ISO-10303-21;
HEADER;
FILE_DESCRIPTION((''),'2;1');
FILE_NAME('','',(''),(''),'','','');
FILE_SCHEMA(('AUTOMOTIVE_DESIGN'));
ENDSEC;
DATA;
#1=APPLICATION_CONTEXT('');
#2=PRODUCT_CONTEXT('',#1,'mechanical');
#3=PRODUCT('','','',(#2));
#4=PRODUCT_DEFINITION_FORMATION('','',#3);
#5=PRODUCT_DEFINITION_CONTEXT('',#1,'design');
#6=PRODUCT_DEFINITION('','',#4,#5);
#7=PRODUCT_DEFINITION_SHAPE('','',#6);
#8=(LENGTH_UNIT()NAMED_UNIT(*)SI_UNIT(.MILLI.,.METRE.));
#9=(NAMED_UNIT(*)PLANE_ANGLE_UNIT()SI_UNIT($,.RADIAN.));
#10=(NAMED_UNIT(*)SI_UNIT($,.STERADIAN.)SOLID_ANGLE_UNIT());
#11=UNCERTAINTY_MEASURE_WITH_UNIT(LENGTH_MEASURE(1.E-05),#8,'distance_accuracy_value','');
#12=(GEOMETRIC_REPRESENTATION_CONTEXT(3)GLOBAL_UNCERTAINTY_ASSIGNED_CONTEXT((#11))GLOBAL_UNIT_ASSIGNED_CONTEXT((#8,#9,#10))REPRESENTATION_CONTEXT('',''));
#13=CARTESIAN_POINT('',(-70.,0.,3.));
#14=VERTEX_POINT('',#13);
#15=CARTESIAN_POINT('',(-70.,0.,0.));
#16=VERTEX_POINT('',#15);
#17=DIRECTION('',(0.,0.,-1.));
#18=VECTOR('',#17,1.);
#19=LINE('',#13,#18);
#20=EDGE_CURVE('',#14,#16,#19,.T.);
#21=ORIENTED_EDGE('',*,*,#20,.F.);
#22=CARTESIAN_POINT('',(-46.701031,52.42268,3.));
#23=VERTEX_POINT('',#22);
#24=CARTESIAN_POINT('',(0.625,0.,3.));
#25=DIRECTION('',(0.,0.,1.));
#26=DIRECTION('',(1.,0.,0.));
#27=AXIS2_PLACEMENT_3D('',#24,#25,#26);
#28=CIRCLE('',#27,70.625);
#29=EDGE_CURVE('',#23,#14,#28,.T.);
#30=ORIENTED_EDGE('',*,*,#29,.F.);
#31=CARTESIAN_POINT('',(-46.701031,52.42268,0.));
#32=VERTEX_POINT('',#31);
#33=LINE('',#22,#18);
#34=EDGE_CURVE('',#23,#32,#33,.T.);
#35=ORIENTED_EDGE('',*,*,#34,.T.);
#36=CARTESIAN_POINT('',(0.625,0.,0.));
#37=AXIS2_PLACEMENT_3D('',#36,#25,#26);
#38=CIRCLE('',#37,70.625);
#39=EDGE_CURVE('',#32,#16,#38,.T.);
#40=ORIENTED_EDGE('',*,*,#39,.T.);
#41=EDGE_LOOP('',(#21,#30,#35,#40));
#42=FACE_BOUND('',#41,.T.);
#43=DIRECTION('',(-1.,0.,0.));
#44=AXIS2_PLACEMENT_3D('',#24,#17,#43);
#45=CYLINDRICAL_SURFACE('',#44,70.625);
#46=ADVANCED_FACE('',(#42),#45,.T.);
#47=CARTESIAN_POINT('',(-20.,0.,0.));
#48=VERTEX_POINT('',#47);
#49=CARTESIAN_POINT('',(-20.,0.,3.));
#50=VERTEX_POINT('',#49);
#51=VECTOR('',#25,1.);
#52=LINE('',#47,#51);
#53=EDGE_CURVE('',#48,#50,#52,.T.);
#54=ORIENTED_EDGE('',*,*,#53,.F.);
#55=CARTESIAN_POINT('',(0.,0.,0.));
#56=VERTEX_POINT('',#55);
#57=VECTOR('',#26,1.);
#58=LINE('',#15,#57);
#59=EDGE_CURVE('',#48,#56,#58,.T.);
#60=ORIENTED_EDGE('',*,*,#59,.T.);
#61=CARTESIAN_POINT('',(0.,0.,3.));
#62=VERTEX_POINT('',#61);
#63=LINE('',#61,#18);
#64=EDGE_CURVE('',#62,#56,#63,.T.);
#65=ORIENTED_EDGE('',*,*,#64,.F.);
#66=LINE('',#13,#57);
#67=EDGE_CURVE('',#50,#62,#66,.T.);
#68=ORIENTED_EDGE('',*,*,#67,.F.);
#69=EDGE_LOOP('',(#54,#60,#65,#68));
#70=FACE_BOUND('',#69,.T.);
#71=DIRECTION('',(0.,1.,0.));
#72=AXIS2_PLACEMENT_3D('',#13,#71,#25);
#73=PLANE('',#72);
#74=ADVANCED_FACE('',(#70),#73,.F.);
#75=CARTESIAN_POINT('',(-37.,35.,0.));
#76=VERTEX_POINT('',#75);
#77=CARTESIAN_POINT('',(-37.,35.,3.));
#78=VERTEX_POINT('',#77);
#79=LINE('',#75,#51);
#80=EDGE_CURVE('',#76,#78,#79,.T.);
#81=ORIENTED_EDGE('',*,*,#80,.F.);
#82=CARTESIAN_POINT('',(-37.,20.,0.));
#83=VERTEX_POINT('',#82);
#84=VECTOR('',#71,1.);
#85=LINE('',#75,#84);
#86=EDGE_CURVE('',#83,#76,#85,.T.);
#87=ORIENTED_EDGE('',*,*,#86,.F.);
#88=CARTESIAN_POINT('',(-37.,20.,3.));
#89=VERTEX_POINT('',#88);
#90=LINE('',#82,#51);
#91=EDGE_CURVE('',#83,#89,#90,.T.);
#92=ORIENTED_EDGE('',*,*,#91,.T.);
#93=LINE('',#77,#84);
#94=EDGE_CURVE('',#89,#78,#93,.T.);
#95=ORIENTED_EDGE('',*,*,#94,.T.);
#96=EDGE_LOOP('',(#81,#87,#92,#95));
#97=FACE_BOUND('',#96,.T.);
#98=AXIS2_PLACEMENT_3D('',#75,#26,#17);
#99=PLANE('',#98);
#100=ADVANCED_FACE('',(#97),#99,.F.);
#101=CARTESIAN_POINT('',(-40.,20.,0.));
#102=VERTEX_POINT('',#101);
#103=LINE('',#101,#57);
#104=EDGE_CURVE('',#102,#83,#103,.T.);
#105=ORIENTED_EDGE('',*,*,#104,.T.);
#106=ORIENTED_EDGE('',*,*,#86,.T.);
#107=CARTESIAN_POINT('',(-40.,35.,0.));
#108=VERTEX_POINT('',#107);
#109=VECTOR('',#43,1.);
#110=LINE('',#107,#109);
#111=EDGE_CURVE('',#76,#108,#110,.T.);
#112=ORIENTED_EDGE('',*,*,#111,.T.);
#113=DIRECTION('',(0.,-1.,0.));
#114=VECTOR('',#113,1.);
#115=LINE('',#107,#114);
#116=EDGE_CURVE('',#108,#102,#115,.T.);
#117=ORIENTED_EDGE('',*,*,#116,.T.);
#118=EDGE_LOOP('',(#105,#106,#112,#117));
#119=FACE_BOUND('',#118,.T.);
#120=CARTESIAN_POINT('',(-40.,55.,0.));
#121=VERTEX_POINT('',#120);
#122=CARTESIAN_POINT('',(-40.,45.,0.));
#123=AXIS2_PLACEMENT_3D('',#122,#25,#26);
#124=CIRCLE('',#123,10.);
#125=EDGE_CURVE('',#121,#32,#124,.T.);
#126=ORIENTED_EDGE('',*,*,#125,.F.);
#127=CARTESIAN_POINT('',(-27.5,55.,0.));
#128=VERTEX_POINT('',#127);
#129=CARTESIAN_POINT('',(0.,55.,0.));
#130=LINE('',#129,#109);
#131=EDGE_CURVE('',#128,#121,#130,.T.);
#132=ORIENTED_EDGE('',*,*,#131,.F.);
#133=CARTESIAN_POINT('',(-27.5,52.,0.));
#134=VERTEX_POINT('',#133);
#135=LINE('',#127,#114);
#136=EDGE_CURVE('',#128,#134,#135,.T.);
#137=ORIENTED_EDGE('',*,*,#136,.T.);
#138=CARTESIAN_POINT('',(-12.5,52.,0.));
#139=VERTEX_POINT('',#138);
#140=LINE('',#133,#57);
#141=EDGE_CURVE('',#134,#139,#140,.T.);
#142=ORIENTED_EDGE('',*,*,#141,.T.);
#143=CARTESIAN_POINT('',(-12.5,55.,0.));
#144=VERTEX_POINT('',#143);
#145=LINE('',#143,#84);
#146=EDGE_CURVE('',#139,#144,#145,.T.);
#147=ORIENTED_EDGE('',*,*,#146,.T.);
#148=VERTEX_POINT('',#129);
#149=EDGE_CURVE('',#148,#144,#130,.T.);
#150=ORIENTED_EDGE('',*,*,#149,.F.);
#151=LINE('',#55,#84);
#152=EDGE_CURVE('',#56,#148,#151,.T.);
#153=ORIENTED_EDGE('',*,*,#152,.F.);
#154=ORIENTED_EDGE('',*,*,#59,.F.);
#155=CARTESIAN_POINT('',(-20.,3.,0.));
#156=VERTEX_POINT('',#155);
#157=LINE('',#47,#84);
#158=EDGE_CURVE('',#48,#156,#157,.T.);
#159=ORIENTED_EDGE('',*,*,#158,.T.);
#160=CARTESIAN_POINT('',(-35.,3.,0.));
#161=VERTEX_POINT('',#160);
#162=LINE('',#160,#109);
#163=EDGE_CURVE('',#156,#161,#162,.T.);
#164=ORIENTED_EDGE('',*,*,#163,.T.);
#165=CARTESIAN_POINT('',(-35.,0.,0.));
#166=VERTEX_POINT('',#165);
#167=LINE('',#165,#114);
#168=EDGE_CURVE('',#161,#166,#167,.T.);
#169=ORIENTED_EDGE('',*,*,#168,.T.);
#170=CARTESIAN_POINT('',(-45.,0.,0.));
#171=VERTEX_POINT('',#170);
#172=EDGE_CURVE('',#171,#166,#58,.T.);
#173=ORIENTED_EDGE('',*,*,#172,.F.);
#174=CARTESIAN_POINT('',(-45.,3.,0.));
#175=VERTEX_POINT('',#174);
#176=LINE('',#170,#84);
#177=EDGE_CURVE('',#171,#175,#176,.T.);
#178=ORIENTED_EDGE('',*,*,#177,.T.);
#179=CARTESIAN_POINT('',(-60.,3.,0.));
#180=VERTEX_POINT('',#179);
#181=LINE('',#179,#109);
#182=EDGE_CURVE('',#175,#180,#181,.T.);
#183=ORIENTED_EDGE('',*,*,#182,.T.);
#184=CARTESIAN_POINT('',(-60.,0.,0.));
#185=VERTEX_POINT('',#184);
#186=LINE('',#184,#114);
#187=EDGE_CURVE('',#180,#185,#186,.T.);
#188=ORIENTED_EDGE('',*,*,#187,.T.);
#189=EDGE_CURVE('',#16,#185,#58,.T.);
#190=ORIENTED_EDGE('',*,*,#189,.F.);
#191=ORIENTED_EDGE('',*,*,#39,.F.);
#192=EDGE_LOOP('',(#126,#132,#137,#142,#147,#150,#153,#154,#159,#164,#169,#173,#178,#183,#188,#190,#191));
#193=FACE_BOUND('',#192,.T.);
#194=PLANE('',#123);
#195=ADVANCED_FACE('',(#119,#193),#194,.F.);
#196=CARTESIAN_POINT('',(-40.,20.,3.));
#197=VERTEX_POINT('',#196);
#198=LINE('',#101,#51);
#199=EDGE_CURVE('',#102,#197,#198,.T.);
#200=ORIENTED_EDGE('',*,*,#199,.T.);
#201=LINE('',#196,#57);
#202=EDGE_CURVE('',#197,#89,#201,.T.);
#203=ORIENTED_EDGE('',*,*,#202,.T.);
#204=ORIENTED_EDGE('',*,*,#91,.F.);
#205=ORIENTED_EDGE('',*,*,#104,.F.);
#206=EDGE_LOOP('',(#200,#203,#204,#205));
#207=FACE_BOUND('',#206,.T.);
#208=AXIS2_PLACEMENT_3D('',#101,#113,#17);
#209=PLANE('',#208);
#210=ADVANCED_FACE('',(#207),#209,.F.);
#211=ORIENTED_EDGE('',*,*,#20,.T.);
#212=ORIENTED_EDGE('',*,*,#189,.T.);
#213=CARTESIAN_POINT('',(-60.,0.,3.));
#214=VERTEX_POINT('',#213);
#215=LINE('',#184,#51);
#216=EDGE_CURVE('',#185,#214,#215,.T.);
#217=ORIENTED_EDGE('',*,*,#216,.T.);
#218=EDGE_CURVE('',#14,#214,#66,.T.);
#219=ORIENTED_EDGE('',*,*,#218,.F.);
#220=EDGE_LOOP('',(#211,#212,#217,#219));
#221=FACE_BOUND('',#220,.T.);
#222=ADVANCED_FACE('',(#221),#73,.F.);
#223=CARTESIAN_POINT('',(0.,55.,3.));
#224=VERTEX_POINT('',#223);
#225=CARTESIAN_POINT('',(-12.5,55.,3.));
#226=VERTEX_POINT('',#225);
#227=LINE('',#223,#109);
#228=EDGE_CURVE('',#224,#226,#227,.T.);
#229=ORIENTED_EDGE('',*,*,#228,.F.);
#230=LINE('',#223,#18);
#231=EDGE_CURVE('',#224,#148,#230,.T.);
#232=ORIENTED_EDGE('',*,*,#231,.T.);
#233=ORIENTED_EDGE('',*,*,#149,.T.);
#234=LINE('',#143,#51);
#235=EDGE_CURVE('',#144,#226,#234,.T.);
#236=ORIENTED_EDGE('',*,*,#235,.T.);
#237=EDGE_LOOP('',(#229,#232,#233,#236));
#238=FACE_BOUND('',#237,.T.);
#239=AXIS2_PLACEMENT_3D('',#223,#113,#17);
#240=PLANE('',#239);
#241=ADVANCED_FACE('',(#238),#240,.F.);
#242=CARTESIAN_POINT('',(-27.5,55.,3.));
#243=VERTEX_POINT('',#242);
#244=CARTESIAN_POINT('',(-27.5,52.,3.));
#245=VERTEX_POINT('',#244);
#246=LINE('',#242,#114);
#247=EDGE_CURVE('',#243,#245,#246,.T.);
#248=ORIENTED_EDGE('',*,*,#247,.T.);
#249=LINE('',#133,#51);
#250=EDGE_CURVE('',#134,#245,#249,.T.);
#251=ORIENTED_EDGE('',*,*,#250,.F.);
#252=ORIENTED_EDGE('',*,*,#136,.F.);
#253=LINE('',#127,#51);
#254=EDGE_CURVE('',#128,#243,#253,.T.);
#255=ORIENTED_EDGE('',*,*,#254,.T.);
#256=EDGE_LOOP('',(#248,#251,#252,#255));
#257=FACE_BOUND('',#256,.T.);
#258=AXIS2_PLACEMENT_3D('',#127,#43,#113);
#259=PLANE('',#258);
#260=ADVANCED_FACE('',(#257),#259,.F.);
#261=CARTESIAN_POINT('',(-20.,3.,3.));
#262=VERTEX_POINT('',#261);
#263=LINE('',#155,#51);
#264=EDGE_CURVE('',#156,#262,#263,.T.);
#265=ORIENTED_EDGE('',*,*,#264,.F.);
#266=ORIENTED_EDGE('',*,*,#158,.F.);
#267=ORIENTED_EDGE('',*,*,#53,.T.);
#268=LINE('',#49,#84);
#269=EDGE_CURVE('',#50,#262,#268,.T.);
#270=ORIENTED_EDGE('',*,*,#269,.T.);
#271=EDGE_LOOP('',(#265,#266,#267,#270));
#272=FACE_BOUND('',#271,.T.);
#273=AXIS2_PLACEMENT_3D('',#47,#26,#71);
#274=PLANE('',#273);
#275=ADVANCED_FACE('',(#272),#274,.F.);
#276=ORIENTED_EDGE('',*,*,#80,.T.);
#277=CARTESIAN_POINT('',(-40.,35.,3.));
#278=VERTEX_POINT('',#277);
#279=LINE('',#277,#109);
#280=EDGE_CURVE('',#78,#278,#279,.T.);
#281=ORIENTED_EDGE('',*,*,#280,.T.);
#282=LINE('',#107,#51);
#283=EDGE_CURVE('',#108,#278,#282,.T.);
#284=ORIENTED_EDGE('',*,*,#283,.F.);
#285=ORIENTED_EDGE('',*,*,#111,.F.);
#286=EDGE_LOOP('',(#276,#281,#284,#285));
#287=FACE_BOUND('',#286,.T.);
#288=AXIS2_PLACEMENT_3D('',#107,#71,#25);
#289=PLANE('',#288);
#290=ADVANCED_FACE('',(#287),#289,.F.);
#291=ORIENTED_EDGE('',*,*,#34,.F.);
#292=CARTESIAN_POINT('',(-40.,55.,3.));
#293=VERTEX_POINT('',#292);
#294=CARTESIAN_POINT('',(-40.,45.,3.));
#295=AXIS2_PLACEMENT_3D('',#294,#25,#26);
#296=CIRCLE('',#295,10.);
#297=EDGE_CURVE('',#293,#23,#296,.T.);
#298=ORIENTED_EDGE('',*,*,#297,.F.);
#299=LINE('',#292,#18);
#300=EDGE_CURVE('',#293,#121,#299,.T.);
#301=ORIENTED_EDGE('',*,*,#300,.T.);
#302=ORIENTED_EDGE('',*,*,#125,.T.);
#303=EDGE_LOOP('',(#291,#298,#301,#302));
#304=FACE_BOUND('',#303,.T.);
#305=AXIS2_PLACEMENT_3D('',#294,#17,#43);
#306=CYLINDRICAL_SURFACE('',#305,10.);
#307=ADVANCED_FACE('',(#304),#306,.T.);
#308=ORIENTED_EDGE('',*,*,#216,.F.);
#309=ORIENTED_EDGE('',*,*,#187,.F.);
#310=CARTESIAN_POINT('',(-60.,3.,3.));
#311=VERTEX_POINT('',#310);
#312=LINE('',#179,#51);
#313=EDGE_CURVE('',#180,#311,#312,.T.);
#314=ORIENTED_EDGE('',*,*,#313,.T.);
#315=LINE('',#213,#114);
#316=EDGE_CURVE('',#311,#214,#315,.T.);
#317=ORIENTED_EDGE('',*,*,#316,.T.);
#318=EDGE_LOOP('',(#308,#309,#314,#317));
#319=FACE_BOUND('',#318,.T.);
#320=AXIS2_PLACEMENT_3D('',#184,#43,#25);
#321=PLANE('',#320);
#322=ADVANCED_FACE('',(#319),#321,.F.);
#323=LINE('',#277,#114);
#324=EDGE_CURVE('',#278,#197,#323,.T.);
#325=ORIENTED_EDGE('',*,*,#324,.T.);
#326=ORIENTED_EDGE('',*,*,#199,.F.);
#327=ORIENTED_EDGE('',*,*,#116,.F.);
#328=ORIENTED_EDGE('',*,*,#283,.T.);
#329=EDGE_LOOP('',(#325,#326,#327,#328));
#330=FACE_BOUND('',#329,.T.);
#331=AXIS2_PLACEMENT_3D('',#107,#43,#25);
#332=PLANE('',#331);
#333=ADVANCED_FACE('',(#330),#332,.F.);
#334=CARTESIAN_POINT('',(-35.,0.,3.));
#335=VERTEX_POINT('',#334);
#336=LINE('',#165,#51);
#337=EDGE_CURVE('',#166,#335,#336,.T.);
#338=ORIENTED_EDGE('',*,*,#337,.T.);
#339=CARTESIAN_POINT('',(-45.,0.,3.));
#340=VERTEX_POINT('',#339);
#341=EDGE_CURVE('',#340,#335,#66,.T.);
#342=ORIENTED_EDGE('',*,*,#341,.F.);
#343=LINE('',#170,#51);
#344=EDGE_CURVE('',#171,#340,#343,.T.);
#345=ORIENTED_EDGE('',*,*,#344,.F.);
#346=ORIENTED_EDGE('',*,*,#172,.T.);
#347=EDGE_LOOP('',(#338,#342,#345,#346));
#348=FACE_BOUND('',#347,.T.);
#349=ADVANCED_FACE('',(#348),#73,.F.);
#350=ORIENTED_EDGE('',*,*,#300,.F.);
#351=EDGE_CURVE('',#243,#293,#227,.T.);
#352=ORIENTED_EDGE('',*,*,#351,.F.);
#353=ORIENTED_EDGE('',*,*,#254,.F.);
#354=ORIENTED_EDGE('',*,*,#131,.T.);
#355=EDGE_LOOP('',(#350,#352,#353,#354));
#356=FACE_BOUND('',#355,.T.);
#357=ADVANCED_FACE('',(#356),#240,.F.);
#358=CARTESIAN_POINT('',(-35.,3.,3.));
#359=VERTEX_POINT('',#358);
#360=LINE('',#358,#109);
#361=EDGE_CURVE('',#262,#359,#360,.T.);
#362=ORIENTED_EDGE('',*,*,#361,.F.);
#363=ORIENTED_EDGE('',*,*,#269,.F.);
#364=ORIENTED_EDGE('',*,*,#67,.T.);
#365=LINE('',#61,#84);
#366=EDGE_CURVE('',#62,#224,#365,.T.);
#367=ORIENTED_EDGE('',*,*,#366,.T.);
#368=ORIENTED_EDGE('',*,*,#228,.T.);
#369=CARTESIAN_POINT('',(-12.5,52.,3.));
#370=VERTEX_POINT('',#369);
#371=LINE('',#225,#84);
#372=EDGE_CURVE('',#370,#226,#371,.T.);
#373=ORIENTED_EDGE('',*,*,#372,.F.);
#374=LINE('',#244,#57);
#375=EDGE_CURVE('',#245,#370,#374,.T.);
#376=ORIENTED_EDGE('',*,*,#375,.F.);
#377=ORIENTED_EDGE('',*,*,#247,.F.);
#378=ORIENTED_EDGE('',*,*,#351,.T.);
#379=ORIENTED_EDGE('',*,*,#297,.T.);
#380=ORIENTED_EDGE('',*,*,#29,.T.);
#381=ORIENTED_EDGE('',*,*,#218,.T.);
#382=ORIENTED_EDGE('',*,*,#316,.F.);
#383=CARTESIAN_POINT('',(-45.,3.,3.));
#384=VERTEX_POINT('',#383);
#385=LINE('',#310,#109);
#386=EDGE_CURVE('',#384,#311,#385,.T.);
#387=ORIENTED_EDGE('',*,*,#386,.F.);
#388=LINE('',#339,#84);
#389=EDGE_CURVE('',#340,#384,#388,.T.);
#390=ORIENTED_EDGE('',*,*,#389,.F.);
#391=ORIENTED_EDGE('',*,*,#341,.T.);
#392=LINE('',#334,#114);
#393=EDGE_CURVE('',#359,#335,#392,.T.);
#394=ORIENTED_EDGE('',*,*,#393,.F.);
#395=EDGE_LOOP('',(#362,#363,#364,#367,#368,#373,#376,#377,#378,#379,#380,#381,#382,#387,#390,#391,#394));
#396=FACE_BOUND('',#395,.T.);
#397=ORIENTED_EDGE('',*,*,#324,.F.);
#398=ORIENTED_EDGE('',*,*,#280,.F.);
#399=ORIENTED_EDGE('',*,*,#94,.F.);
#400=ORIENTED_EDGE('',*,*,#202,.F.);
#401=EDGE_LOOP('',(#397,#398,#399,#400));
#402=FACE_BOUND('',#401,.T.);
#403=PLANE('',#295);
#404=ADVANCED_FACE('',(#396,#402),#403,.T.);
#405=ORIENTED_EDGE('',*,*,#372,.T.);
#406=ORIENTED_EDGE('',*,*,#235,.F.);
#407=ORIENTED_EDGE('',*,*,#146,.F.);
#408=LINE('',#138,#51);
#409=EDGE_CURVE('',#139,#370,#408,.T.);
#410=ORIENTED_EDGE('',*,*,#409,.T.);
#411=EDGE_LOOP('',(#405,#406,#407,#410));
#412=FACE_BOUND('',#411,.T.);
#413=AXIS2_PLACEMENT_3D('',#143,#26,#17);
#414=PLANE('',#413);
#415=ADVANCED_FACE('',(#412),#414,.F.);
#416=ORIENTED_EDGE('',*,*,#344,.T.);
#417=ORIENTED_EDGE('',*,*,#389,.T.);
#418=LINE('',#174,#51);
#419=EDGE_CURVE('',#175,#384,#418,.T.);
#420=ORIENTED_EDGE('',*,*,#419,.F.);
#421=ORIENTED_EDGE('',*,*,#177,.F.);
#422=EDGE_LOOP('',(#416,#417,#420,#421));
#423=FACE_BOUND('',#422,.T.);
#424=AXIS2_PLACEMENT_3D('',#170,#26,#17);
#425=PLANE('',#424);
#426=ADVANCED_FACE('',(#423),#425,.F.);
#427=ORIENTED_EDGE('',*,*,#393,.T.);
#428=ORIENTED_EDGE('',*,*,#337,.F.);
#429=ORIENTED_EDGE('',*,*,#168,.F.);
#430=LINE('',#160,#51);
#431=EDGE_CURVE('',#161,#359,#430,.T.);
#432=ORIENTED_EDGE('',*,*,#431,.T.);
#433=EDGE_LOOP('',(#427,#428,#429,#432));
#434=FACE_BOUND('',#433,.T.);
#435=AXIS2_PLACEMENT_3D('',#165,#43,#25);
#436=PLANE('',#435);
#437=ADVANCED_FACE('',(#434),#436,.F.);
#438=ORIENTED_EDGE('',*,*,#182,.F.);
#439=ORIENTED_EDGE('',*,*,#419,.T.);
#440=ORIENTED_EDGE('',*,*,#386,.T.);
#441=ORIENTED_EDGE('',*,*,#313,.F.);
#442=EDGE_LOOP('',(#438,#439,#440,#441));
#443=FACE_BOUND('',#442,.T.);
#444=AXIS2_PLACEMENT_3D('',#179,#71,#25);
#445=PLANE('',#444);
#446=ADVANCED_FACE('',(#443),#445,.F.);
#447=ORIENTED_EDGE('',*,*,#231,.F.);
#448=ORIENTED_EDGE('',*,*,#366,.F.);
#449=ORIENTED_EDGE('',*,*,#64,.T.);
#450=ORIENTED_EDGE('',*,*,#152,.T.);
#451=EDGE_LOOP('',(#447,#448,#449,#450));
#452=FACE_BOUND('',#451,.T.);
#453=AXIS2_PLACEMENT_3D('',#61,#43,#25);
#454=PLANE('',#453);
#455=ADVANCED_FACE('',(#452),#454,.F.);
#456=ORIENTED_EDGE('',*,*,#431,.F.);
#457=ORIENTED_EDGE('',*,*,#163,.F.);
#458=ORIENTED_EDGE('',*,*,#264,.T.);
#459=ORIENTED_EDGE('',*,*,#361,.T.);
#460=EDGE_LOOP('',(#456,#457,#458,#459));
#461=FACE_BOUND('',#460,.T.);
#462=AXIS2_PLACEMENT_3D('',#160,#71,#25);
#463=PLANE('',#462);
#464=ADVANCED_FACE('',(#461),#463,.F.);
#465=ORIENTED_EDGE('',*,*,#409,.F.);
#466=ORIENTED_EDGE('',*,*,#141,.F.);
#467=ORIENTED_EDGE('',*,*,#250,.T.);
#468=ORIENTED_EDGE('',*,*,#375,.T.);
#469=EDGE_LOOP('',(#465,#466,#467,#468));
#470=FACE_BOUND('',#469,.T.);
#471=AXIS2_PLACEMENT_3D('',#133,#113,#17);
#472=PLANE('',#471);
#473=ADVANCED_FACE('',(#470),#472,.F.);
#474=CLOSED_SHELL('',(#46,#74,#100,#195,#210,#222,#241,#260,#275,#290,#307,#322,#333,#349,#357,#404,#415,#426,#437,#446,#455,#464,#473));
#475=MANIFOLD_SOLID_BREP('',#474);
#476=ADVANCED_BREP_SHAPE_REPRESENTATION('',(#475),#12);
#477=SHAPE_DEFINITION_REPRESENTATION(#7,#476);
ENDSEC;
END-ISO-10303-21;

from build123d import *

# Parameters (mm, degrees)
BOSS_EXTRUDE1_DEPTH = 3
SKETCH2_W           = 15
SKETCH2_H           = 3
SKETCH2_W_2         = 3
SKETCH2_H_2         = 15
CUT_EXTRUDE1_DEPTH  = 90.073003767


with BuildPart() as part:
    # Sketch1 → Boss-Extrude1 (new body)
    with BuildSketch(Plane.XY):
        with BuildLine():
            Line((0, 0), (0, 55))
            Line((0, 55), (-40, 55))
            ThreePointArc((-40, 55), (-43.589790793, 54.333456062), (-46.701030928, 52.422680412))
            ThreePointArc((-46.701030928, 52.422680412), (-63.912940621, 28.683529165), (-70, 0))
            Line((-70, 0), (0, 0))
        make_face()
    extrude(amount=BOSS_EXTRUDE1_DEPTH)

    # Sketch2 → Cut-Extrude1 (cut, through all)
    with BuildSketch(Plane.XY.offset(3)):
        with Locations((-20, 53.5)):
            Rectangle(SKETCH2_W, SKETCH2_H)
        with Locations((-27.5, 1.5)):
            Rectangle(SKETCH2_W, SKETCH2_H)
        with Locations((-52.5, 1.5)):
            Rectangle(SKETCH2_W, SKETCH2_H)
        with Locations((-38.5, 27.5)):
            Rectangle(SKETCH2_W_2, SKETCH2_H_2)
    extrude(amount=-CUT_EXTRUDE1_DEPTH, mode=Mode.SUBTRACT)


solid = part.part
